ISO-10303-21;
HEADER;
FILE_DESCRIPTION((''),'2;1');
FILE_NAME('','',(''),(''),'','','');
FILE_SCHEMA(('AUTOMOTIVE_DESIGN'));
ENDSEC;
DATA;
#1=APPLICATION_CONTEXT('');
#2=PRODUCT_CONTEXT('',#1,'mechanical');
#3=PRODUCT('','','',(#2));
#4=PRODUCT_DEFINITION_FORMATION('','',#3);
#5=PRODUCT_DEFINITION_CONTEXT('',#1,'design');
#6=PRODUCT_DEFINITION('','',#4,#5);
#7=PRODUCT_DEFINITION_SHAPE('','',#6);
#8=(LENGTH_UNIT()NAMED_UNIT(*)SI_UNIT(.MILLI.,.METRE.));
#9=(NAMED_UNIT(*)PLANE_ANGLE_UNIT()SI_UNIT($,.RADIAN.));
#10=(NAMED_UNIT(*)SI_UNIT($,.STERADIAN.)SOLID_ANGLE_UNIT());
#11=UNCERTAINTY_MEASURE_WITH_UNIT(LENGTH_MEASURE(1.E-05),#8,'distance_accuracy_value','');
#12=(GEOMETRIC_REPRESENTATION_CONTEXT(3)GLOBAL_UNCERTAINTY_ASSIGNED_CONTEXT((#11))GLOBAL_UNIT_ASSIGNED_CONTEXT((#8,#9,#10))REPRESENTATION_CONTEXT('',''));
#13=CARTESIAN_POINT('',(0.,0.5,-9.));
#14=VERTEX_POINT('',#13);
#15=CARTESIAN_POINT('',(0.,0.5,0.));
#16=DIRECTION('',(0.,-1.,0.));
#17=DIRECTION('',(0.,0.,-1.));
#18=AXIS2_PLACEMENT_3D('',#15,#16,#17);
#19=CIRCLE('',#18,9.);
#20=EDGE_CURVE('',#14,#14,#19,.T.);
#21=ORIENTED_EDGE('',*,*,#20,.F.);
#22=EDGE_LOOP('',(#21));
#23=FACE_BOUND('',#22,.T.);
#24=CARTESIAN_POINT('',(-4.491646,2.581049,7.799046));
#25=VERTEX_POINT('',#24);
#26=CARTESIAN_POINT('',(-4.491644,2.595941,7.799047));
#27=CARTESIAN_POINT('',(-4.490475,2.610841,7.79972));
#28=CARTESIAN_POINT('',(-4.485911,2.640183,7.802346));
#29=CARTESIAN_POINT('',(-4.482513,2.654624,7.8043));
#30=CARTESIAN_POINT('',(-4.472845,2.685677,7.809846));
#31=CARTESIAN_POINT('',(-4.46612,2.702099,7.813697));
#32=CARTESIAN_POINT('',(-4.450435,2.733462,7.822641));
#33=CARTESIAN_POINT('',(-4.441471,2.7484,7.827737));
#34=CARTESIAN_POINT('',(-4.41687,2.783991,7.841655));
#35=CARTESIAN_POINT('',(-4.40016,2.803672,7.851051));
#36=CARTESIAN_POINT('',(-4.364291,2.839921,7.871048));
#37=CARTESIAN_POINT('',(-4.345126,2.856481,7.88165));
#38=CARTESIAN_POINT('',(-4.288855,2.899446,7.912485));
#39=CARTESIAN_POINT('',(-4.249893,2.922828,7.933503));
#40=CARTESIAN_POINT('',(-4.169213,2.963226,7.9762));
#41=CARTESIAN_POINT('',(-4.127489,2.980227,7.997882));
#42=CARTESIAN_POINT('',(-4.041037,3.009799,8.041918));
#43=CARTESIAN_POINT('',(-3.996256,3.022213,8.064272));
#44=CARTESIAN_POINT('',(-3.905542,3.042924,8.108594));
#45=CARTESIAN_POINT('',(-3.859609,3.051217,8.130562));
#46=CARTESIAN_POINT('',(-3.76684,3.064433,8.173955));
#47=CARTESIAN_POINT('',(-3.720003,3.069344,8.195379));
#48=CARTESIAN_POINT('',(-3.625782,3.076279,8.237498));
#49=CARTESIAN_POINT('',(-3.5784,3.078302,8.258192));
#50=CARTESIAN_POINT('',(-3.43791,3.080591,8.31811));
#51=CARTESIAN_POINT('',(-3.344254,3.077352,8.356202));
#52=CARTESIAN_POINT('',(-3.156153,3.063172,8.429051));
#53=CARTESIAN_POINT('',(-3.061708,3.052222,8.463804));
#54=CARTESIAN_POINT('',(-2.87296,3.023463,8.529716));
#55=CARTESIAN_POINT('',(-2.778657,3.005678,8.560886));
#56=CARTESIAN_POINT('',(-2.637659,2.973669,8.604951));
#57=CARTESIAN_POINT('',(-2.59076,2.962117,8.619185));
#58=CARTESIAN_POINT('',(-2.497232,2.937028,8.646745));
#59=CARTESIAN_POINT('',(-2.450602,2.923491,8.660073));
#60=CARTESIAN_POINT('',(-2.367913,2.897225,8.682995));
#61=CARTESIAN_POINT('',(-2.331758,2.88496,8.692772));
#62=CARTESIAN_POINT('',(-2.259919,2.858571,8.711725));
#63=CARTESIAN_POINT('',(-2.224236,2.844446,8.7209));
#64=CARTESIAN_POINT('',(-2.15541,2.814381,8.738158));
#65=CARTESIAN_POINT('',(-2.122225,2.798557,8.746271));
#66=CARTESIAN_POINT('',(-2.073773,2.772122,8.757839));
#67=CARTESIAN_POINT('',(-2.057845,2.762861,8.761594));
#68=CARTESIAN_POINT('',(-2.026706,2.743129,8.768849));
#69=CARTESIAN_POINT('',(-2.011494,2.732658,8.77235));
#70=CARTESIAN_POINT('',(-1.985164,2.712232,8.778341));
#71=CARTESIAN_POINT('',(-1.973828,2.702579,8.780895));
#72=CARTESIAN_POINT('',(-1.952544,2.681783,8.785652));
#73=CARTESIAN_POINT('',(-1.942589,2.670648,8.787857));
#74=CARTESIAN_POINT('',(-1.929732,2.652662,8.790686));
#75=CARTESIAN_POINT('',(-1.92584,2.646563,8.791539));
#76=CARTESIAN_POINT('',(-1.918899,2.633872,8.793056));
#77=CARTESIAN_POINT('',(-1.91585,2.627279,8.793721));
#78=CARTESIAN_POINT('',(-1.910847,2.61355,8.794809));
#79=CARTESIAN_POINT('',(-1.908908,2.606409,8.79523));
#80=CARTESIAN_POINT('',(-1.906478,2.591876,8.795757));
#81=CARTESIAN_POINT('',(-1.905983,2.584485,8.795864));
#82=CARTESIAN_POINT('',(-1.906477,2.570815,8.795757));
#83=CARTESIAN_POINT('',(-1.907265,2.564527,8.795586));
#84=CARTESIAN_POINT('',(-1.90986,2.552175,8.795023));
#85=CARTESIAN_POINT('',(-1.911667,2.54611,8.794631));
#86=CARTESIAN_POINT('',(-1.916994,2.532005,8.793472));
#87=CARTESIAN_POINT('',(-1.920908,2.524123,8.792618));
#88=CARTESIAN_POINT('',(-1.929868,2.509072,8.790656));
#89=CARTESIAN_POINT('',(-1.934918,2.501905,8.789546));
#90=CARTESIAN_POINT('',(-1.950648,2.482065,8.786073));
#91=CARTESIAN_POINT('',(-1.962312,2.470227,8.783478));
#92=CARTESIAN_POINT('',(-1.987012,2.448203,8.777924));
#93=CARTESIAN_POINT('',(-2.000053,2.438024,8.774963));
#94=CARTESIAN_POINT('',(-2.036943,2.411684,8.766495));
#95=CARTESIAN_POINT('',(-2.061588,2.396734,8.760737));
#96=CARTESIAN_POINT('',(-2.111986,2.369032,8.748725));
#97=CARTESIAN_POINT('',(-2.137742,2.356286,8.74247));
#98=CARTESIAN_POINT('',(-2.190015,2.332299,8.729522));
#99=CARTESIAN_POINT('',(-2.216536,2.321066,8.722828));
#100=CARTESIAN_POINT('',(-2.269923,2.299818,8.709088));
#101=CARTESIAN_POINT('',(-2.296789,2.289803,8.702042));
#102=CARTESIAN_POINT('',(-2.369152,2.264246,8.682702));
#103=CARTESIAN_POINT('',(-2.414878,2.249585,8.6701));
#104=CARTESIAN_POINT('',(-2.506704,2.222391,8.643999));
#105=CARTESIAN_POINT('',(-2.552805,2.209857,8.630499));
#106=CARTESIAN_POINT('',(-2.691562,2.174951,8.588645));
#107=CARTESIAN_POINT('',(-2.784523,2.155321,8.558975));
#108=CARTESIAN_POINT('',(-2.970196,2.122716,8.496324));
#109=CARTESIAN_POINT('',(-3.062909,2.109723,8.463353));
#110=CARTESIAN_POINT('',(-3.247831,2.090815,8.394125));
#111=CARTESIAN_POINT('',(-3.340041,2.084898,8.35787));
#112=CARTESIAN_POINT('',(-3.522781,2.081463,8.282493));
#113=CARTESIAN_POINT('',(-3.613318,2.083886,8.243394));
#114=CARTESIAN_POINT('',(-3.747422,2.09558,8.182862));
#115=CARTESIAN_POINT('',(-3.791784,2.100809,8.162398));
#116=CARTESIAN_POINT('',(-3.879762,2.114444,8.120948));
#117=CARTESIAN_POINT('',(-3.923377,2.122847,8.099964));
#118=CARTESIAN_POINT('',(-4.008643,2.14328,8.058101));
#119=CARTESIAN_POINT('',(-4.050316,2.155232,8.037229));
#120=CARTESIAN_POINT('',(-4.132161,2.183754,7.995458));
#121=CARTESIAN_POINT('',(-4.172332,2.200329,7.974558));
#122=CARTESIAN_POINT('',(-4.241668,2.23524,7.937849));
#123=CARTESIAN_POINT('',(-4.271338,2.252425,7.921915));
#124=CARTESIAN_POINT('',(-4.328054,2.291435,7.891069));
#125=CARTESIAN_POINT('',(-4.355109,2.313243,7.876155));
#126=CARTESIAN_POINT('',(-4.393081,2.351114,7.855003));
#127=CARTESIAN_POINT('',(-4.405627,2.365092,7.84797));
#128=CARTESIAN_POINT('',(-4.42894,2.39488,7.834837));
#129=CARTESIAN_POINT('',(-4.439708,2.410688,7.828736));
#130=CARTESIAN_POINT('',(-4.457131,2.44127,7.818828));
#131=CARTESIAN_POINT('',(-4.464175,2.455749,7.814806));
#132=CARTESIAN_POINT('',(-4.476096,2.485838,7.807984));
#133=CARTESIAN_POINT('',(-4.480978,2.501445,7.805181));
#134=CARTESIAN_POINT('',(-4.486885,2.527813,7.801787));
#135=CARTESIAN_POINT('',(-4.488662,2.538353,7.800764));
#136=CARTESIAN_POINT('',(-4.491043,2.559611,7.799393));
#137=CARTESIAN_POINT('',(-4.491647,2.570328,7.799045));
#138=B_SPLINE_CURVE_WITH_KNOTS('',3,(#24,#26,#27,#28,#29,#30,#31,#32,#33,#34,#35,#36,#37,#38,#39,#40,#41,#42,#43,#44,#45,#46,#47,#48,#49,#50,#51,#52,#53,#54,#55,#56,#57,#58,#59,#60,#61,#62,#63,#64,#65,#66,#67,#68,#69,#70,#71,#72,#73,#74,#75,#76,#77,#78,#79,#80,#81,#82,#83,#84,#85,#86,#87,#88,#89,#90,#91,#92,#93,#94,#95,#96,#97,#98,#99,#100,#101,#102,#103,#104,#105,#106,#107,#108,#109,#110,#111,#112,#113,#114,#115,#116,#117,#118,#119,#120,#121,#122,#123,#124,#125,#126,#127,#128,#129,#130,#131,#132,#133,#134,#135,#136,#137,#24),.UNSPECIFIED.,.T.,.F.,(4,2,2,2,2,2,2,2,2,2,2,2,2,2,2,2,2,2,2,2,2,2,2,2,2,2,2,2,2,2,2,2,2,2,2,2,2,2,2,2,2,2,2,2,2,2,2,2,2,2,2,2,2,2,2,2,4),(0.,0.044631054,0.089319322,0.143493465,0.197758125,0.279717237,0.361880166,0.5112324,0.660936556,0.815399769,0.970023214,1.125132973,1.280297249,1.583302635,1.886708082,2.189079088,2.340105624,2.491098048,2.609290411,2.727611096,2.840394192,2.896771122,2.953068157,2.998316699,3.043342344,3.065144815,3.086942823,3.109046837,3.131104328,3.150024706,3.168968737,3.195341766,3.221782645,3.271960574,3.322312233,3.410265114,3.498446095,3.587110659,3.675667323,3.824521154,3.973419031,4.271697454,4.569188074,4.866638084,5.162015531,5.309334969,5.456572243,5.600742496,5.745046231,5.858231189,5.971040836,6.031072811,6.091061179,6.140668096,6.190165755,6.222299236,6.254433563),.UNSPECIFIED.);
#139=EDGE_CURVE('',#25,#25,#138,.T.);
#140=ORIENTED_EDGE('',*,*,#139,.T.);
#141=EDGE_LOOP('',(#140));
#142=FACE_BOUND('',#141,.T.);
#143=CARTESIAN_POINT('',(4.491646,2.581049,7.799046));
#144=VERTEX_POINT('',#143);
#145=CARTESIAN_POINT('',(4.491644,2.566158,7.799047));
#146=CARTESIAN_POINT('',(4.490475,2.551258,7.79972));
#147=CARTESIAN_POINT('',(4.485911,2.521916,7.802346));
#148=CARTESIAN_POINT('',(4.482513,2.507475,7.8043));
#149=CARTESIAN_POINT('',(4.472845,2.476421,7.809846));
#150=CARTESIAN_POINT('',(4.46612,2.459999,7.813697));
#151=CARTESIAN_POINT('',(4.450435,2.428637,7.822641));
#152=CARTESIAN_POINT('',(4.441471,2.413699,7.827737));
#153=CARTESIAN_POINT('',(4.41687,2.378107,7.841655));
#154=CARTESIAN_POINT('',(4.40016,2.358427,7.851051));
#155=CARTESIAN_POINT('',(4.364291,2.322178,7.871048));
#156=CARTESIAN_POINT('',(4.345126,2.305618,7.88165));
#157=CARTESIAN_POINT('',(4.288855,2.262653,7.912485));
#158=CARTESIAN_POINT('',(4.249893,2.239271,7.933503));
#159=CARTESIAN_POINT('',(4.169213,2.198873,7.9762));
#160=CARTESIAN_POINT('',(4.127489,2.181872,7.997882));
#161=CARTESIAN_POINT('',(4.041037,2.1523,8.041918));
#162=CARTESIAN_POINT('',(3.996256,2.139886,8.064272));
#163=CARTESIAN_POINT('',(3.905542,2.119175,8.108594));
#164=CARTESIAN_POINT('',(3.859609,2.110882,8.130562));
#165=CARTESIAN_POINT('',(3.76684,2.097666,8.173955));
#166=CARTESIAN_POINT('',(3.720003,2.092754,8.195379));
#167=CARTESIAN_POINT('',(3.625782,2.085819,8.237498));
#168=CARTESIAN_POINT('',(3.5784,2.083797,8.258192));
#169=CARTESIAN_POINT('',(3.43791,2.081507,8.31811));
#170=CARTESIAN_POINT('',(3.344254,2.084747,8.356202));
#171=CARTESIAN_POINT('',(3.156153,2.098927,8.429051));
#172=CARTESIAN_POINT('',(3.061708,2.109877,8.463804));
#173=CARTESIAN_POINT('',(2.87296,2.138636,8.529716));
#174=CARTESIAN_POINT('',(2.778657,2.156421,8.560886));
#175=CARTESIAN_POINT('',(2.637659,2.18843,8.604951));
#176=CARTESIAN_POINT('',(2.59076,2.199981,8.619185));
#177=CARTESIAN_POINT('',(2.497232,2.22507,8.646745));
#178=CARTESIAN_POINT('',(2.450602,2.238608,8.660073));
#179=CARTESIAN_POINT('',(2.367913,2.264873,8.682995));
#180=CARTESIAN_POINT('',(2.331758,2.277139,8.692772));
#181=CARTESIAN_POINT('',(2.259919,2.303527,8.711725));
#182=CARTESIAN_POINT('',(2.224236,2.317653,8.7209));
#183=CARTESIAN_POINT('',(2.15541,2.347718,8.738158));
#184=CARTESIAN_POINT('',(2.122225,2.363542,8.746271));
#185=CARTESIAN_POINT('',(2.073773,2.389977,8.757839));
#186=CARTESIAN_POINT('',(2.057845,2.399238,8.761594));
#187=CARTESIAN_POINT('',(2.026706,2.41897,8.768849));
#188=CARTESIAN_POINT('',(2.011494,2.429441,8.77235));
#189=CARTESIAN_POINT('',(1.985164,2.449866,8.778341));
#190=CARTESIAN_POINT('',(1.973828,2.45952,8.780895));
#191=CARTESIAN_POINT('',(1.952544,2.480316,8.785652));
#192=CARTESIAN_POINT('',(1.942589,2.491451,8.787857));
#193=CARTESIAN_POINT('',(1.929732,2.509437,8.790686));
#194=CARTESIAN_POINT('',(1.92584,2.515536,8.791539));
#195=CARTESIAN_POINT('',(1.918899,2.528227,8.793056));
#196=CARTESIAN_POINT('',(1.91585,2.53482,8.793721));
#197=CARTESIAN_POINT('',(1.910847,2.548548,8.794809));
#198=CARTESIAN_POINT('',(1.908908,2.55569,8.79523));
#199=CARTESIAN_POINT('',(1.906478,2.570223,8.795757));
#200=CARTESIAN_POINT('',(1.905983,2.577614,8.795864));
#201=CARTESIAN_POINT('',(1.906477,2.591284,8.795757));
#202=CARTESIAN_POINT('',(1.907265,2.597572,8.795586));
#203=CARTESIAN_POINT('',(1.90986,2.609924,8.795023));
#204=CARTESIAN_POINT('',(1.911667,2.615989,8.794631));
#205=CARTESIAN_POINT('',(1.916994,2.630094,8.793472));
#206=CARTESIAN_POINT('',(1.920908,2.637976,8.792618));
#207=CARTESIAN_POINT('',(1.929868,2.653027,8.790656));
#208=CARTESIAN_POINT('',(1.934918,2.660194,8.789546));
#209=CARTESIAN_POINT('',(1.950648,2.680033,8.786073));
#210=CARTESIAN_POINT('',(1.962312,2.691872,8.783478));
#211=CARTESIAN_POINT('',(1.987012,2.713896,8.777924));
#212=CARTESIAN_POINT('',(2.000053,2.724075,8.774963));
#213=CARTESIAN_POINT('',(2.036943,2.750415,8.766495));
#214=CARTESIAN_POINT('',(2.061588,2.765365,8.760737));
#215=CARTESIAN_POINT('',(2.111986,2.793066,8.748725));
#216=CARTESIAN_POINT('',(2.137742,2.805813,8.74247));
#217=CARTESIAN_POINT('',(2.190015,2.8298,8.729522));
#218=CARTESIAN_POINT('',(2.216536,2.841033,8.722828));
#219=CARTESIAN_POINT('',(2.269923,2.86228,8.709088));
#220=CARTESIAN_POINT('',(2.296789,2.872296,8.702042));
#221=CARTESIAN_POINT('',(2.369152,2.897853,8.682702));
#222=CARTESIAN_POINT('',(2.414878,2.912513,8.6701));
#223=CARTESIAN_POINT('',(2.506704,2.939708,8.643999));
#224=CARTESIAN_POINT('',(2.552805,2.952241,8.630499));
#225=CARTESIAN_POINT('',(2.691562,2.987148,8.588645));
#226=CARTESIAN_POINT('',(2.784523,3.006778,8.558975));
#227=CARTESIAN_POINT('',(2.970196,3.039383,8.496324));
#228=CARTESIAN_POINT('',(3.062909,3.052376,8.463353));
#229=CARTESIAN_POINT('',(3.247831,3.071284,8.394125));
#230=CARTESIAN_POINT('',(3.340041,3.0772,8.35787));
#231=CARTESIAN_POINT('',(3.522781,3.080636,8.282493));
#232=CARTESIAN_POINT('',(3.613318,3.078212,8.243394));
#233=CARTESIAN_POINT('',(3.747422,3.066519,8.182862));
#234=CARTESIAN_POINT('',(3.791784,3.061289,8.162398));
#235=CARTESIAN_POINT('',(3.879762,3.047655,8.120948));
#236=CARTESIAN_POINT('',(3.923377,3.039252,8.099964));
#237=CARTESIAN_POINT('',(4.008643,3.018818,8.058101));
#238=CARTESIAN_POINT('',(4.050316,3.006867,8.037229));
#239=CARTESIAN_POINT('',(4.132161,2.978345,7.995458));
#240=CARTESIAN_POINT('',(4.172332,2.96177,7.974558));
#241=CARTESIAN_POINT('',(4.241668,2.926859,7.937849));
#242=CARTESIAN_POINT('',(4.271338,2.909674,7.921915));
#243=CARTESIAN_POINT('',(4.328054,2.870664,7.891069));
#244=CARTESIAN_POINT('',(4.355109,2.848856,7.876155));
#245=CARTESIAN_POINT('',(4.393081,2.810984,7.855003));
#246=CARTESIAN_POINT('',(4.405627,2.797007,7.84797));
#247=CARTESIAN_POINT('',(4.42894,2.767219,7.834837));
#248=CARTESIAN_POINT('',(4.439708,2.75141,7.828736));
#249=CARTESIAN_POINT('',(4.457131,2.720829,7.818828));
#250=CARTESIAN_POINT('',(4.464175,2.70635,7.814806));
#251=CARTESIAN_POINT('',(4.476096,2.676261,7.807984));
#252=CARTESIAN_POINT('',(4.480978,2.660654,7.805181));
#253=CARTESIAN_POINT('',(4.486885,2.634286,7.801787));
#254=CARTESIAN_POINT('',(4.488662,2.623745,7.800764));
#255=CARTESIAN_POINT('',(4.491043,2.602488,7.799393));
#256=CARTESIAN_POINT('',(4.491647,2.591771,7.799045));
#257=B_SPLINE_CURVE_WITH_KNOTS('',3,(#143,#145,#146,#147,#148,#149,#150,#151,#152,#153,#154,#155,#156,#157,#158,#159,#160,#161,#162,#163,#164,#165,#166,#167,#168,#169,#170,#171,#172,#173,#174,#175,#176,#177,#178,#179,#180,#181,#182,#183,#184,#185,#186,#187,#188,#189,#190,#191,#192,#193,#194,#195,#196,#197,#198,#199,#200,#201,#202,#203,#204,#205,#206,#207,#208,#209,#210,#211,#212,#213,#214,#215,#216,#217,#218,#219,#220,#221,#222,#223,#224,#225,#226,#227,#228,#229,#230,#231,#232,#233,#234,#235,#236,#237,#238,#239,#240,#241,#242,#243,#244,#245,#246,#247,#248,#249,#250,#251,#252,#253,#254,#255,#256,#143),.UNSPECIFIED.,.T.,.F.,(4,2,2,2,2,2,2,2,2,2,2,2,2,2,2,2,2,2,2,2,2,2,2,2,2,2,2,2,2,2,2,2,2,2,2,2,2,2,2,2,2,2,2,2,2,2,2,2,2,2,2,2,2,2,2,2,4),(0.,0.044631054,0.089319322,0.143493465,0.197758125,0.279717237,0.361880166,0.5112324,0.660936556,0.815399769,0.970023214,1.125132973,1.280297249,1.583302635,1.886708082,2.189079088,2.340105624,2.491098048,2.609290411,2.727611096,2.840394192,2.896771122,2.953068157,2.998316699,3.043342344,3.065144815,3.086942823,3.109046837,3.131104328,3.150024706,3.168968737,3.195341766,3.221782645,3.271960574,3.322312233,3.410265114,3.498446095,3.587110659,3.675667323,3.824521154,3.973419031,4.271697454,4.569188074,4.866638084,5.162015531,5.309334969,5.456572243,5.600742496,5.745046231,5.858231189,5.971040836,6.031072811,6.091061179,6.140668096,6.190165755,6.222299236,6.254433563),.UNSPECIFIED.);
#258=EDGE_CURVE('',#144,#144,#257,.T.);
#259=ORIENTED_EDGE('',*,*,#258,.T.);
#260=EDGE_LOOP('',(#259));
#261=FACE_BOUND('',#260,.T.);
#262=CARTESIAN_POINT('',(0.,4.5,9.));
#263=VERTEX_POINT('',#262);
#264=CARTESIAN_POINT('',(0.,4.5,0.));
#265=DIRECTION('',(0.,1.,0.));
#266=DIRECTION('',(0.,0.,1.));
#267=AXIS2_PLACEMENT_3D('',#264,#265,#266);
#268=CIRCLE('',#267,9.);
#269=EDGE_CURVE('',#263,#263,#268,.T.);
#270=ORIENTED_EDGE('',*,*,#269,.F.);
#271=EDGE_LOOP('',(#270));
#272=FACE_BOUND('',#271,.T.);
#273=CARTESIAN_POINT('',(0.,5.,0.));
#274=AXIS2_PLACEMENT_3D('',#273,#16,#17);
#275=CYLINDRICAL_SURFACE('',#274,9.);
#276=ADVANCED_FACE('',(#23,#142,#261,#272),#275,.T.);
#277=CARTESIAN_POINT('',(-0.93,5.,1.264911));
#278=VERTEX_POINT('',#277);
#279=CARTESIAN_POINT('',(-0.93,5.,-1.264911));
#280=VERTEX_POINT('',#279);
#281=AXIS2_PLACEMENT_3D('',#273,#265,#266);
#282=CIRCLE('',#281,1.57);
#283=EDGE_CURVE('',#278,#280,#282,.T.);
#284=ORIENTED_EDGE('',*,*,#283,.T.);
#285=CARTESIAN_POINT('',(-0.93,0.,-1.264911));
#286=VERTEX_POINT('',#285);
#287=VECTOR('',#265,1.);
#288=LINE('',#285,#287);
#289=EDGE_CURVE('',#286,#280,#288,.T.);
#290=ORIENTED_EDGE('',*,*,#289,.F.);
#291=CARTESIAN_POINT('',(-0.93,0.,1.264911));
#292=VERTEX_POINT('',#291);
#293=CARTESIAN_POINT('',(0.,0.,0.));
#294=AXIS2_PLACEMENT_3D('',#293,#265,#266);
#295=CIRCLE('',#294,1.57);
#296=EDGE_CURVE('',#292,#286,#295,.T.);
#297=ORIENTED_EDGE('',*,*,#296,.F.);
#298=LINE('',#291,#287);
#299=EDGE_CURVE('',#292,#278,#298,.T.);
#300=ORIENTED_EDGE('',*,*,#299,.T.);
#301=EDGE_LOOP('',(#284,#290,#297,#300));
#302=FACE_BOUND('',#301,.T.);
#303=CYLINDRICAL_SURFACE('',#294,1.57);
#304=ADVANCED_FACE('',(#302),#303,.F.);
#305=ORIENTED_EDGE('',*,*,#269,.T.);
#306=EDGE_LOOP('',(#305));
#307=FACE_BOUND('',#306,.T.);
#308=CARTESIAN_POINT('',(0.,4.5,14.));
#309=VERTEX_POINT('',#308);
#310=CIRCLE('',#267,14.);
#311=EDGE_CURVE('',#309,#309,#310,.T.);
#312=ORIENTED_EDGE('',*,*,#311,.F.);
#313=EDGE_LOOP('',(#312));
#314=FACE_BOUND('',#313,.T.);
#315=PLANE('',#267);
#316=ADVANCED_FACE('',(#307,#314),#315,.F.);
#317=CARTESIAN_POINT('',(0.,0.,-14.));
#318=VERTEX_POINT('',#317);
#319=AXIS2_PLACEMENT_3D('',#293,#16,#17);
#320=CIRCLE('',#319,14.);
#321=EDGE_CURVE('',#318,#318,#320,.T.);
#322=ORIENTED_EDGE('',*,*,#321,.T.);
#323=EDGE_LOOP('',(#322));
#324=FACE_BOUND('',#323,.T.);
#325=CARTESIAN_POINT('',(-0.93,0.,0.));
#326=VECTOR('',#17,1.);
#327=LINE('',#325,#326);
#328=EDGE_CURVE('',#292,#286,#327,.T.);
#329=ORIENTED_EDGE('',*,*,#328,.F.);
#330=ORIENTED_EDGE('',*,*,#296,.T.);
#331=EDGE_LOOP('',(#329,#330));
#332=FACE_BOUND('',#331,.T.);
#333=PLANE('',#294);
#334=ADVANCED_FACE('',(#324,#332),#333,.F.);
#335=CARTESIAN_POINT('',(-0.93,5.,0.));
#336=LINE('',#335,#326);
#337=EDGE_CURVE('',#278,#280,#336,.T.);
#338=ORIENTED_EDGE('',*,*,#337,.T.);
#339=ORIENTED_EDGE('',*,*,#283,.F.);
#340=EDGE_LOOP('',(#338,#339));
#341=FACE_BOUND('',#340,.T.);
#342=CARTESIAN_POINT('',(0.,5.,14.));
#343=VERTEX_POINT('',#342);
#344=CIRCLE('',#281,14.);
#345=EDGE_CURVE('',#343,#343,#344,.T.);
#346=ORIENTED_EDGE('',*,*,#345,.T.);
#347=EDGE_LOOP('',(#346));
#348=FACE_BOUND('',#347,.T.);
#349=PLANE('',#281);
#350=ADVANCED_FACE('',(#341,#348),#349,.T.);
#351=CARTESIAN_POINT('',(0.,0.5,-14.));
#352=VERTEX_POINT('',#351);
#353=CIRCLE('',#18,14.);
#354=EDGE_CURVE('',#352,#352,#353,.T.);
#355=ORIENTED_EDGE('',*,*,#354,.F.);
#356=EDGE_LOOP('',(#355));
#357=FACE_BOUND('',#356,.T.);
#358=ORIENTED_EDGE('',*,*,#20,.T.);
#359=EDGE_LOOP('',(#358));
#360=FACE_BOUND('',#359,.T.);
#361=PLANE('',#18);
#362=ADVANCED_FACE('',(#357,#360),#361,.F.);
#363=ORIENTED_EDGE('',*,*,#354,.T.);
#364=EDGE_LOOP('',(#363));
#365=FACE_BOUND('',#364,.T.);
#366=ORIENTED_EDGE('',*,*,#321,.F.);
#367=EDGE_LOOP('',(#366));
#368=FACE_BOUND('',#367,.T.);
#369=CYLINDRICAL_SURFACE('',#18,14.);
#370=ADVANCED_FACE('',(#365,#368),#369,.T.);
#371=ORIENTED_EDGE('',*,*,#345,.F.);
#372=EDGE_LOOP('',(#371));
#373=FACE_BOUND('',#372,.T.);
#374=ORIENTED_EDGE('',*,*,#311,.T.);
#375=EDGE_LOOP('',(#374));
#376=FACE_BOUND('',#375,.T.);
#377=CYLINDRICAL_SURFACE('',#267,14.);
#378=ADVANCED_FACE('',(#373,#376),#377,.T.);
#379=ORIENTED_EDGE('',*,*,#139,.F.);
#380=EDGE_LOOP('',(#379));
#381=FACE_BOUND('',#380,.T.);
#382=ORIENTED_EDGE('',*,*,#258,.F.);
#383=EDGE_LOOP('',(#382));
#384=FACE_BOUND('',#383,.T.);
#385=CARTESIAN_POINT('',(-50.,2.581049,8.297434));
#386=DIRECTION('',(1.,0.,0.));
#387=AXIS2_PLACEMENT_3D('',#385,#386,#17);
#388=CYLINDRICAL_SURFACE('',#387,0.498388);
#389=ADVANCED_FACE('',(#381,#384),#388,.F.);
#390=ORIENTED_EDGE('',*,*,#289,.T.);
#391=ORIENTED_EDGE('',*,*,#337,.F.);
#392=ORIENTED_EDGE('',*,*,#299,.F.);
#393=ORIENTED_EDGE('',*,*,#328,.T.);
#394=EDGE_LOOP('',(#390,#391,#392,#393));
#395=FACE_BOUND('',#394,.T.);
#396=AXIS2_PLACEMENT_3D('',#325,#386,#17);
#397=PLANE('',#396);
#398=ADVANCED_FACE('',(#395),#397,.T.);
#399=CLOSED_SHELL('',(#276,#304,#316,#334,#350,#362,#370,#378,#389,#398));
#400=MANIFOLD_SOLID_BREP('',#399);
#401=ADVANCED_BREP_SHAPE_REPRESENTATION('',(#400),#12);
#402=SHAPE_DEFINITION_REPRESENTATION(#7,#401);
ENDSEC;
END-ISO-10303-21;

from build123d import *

# Parameters (mm, degrees)
SKETCH_1_R          = 9
EXTRUDE_1_DEPTH     = 5
CUT_EXTRUDE_1_DEPTH = 14.674794331
SKETCH_6_R          = 0.498388016
CUT_EXTRUDE_3_DEPTH = 50
EXTRUDE_START       = -0.5
SKETCH_3_R          = 14
SKETCH_3_R_2        = 9
EXTRUDE_2_DEPTH     = 0.5
SKETCH_5_R          = 14
SKETCH_5_R_2        = 9
EXTRUDE_3_DEPTH     = 0.5


with BuildPart() as part:
    # 草圖1 → 填料-伸長1 (new body)
    with BuildSketch(Plane(origin=(0, 0, 0), x_dir=(1, 0, 0), z_dir=(0, 1, 0))):
        with Locations(Location((0, 0, 0), (0, 0, 270))):
            Circle(SKETCH_1_R)
    extrude(amount=EXTRUDE_1_DEPTH)

    # 草圖2 → 除料-伸長1 (cut, through all)
    with BuildSketch(Plane(origin=(0, 5, 0), x_dir=(1, 0, 0), z_dir=(0, 1, 0))):
        with BuildLine():
            Line((-0.93, 1.264911064), (-0.93, -1.264911064))
            ThreePointArc((-0.93, -1.264911064), (0.708801806, -1.400892573), (1.57, 0))
            ThreePointArc((1.57, 0), (0.708801806, 1.400892573), (-0.93, 1.264911064))
        make_face()
    extrude(amount=-CUT_EXTRUDE_1_DEPTH, mode=Mode.SUBTRACT)

    # 草圖6 → 除料-伸長3 (cut, symmetric)
    with BuildSketch(Plane(origin=(0, 0, 0), x_dir=(0, 0, -1), z_dir=(1, 0, 0))):
        with Locations((-8.29743406, 2.581049417)):
            Circle(SKETCH_6_R)
    extrude(amount=CUT_EXTRUDE_3_DEPTH, both=True, mode=Mode.SUBTRACT)

    # 草圖3 → 填料-伸長2 (add)
    with BuildSketch(Plane(origin=(0, 5, 0), x_dir=(1, 0, 0), z_dir=(0, 1, 0)).offset(EXTRUDE_START)):
        with Locations(Location((0, 0, 0), (0, 0, 270))):
            Circle(SKETCH_3_R)
        with Locations(Location((0, 0, 0), (0, 0, 270))):
            Circle(SKETCH_3_R_2, mode=Mode.SUBTRACT)
    extrude(amount=EXTRUDE_2_DEPTH)

    # 草圖5 → 填料-伸長3 (add)
    with BuildSketch(Plane.XZ):
        with Locations(Location((0, 0, 0), (0, 0, 90))):
            Circle(SKETCH_5_R)
        with Locations(Location((0, 0, 0), (0, 0, 270))):
            Circle(SKETCH_5_R_2, mode=Mode.SUBTRACT)
    extrude(amount=-EXTRUDE_3_DEPTH)


solid = part.part
